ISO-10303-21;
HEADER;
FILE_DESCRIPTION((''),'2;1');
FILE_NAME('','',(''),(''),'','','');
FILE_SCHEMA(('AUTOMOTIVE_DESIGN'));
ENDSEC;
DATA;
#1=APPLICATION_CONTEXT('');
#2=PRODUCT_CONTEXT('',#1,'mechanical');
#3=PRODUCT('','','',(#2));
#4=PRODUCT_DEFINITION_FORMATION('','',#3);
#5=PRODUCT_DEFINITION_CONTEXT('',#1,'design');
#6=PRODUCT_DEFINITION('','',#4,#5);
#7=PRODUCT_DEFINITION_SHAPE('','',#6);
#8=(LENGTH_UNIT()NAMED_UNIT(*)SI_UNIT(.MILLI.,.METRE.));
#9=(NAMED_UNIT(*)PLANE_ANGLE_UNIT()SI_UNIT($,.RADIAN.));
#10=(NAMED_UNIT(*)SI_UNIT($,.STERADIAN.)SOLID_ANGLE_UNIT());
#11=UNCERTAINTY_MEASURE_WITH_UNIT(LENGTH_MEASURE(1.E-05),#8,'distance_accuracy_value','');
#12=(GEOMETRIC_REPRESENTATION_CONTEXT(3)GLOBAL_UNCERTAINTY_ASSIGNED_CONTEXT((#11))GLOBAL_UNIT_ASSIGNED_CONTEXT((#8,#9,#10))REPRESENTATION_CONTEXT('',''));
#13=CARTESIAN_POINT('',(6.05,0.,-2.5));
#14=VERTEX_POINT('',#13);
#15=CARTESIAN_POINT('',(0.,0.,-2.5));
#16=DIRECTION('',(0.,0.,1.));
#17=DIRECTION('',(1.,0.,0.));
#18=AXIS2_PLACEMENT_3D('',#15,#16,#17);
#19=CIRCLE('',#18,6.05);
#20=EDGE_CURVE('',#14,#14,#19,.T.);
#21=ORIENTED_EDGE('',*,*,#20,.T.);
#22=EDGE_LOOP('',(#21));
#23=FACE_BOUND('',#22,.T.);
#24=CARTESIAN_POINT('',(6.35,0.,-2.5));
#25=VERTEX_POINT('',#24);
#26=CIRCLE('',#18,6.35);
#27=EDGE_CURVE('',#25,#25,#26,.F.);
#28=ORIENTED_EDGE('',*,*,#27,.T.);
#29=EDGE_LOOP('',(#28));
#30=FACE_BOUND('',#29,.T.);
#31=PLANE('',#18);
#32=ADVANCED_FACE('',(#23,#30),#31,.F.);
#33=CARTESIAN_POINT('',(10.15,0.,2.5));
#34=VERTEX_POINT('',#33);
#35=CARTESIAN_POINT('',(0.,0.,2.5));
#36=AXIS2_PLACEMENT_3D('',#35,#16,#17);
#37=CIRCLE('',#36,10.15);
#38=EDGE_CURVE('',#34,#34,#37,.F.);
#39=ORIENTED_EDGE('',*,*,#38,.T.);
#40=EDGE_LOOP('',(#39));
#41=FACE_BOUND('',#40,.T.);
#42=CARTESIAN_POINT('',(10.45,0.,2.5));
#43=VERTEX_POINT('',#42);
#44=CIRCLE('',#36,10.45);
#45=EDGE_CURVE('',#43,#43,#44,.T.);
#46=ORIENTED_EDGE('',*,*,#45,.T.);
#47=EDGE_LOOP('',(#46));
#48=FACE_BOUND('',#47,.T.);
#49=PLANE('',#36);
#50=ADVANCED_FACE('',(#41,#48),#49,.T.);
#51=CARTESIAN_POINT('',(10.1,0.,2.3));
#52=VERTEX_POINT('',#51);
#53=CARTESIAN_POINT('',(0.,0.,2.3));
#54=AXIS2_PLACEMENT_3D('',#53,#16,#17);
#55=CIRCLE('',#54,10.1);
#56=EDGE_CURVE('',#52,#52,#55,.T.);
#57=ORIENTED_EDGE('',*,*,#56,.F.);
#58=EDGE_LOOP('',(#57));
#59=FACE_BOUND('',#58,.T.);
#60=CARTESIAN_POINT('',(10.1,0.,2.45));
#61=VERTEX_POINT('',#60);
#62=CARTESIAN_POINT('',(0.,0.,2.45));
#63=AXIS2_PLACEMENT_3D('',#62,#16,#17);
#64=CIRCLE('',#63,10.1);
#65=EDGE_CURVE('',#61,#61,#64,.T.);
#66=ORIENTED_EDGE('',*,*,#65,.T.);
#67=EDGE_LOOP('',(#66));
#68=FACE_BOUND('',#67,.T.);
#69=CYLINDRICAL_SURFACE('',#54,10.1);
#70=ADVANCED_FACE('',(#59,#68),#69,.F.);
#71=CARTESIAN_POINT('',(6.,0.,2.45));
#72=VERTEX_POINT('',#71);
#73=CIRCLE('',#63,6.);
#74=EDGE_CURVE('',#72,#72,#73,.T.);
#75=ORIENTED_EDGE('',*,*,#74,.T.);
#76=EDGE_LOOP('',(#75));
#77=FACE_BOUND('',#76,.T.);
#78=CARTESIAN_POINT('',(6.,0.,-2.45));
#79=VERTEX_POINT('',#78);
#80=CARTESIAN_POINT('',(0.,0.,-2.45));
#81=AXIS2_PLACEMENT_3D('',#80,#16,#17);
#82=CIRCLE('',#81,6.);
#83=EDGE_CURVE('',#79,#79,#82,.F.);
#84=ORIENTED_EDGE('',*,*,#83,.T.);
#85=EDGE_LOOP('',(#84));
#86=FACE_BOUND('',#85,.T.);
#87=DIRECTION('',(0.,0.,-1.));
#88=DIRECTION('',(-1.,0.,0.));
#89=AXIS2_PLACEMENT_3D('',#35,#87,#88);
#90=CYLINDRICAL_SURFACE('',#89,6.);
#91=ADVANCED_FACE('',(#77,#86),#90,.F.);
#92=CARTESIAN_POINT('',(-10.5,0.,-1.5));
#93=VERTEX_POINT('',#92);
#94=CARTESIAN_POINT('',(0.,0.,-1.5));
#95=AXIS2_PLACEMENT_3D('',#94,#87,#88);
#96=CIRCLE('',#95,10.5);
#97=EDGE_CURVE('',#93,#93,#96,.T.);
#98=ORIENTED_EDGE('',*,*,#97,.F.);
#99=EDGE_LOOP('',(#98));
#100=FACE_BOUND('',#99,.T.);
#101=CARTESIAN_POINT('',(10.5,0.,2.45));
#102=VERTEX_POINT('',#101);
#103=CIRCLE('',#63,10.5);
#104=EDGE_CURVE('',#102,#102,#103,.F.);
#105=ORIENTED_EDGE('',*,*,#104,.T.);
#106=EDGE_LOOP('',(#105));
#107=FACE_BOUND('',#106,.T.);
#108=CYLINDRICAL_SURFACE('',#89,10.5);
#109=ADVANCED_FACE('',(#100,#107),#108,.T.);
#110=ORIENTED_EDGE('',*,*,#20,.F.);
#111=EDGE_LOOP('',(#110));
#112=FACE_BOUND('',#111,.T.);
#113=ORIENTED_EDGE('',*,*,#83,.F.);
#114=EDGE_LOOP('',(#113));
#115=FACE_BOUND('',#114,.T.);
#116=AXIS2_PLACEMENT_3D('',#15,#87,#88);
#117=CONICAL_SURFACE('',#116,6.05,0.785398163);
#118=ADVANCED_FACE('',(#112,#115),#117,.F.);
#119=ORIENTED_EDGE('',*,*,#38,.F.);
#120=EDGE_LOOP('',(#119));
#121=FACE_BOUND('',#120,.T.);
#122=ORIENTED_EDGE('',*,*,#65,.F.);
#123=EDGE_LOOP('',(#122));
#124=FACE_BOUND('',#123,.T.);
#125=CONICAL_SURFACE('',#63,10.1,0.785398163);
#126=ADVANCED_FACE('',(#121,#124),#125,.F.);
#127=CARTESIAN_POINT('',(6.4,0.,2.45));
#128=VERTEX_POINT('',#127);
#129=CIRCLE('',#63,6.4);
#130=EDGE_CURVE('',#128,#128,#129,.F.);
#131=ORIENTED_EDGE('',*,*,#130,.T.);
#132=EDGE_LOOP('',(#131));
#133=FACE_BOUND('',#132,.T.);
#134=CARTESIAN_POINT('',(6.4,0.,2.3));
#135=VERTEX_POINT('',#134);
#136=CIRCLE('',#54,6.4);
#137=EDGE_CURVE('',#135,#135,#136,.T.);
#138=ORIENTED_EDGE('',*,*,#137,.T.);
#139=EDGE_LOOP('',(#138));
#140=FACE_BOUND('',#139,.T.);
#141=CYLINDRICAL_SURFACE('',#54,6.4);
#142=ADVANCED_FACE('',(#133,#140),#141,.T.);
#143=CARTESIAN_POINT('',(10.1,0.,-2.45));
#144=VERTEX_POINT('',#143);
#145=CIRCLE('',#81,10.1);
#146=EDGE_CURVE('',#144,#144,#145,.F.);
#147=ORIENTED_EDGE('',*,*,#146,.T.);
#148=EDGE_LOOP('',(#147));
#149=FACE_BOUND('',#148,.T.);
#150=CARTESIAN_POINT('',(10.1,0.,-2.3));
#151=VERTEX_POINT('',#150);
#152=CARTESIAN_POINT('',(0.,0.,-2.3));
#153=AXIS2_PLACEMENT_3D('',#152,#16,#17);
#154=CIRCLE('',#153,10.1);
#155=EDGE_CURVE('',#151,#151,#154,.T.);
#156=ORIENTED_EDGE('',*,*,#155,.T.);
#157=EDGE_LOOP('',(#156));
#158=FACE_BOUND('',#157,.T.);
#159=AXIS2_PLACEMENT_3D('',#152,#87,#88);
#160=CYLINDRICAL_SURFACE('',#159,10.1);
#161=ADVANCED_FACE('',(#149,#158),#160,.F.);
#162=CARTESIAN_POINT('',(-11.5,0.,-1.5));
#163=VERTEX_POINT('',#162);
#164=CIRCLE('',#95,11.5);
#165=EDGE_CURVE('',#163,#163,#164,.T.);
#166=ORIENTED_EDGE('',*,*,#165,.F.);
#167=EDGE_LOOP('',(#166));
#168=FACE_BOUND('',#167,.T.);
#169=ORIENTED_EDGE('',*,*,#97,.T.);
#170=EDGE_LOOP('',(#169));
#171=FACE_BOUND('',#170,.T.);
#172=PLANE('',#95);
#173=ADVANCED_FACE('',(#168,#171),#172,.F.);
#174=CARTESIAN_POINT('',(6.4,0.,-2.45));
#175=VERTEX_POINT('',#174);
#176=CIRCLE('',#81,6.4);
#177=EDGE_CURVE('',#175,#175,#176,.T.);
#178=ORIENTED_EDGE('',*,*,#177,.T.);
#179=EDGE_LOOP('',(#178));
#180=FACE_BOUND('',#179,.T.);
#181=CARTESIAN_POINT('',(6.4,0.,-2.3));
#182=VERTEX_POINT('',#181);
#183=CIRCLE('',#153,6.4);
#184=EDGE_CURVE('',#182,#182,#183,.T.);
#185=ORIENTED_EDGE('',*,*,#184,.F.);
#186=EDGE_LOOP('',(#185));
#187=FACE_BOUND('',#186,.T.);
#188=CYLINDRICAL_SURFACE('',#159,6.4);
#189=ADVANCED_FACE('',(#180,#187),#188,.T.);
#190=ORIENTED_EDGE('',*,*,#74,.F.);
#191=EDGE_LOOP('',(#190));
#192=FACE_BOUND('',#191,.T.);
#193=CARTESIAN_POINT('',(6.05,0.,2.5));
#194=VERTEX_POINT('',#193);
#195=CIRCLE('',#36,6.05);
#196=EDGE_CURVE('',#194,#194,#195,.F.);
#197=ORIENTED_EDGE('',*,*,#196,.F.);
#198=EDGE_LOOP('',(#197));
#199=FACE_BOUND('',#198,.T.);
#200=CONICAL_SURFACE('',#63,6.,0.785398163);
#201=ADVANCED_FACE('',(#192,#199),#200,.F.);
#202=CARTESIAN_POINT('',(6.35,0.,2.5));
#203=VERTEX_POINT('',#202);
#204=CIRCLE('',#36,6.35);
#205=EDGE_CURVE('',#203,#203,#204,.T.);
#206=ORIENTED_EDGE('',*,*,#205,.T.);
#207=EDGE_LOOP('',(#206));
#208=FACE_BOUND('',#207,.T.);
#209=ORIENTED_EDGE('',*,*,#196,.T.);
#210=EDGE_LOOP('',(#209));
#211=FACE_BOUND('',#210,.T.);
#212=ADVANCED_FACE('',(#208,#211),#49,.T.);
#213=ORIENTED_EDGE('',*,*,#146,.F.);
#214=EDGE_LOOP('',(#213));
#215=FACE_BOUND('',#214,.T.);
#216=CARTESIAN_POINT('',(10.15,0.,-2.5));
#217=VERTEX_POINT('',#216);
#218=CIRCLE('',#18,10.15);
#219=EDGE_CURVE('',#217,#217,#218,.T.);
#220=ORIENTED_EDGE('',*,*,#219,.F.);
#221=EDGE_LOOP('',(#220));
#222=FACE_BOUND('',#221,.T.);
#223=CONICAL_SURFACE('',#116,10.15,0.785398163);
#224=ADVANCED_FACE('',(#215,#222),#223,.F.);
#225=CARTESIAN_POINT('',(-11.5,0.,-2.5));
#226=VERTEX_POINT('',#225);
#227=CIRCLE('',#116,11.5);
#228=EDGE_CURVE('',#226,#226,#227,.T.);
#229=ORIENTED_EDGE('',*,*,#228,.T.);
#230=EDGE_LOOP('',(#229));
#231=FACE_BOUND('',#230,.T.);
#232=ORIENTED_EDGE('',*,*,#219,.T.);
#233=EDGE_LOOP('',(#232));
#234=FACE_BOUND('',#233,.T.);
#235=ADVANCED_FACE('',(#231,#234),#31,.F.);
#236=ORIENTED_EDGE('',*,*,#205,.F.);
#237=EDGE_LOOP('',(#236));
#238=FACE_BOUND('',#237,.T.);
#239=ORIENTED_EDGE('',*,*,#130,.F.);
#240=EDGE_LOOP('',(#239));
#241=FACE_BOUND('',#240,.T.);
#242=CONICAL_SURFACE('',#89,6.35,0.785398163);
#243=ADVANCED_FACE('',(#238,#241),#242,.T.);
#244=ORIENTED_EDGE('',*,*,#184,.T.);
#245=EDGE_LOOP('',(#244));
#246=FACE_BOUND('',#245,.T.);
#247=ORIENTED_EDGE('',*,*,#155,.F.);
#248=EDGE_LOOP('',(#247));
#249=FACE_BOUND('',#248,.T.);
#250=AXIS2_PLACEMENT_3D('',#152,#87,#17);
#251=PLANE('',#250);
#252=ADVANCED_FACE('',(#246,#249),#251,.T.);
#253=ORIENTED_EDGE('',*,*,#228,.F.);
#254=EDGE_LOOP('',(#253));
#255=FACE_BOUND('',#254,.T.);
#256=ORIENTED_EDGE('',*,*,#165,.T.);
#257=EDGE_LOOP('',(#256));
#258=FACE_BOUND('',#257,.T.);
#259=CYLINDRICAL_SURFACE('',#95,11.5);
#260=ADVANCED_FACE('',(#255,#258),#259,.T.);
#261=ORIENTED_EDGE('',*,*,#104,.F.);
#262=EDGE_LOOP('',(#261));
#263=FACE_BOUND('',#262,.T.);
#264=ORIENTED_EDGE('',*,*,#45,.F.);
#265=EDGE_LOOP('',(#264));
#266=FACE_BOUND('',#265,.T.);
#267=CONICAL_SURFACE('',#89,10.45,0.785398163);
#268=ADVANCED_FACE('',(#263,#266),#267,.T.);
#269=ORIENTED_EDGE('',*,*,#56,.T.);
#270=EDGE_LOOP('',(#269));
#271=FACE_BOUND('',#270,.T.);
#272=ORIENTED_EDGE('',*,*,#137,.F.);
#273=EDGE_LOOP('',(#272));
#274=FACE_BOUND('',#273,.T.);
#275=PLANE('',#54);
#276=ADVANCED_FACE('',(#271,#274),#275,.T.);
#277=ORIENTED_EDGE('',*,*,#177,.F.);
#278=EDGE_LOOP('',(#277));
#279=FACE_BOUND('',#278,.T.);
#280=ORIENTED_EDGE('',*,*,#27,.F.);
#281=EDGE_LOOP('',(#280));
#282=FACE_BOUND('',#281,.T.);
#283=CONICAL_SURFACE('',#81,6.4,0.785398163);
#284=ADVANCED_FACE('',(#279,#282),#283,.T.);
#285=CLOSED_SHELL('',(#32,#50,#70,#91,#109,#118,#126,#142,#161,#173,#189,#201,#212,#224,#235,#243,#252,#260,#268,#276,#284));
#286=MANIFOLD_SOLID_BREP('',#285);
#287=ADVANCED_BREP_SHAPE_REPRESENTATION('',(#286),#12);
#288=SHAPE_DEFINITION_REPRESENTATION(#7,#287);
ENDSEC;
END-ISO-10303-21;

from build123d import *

# Parameters (mm, degrees)
SKETCH_1_R          = 10.5
SKETCH_1_R_2        = 6
EXTRUDE_1_DEPTH     = 2.5
SKETCH_3_R          = 11.5
SKETCH_3_R_2        = 6
EXTRUDE_2_DEPTH     = 1
SKETCH_4_R          = 10.1
SKETCH_4_R_2        = 6.4
CUT_EXTRUDE_1_DEPTH = 0.2
CHAMFER_1_SIZE      = 0.05


with BuildPart() as part:
    # 草图1 → 凸台-拉伸1 (new, symmetric)
    with BuildSketch(Plane.XY):
        Circle(SKETCH_1_R)
        Circle(SKETCH_1_R_2, mode=Mode.SUBTRACT)
    extrude(amount=EXTRUDE_1_DEPTH, both=True)

    # 草图3 → 凸台-拉伸2 (add)
    with BuildSketch(Plane(origin=(0, 0, -2.5), x_dir=(-1, 0, 0), z_dir=(0, 0, -1))):
        Circle(SKETCH_3_R)
        with Locations(Location((0, 0, 0), (0, 0, 180))):
            Circle(SKETCH_3_R_2, mode=Mode.SUBTRACT)
    extrude(amount=-EXTRUDE_2_DEPTH)

    # 草图4 → 切除-拉伸1 (cut)
    with BuildSketch(Plane.XY.offset(2.5)):
        Circle(SKETCH_4_R)
        Circle(SKETCH_4_R_2, mode=Mode.SUBTRACT)
    cut_extrude_1 = extrude(amount=-CUT_EXTRUDE_1_DEPTH, mode=Mode.SUBTRACT)

    # 镜向1: 切除-拉伸1 across plane
    add(cut_extrude_1.mirror(Plane.XY), mode=Mode.SUBTRACT)

    # 倒角1
    chamfer_1_edges = [part.edges().sort_by_distance(p)[0] for p in [
        (-10.1, 0, 2.5),
        (-6.4, 0, 2.5),
        (-6.4, 0, -2.5),
        (-10.1, 0, -2.5),
        (-10.5, 0, 2.5),
        (-6, 0, -2.5),
        (-6, 0, 2.5),
    ]]
    chamfer(chamfer_1_edges, length=CHAMFER_1_SIZE)


solid = part.part
